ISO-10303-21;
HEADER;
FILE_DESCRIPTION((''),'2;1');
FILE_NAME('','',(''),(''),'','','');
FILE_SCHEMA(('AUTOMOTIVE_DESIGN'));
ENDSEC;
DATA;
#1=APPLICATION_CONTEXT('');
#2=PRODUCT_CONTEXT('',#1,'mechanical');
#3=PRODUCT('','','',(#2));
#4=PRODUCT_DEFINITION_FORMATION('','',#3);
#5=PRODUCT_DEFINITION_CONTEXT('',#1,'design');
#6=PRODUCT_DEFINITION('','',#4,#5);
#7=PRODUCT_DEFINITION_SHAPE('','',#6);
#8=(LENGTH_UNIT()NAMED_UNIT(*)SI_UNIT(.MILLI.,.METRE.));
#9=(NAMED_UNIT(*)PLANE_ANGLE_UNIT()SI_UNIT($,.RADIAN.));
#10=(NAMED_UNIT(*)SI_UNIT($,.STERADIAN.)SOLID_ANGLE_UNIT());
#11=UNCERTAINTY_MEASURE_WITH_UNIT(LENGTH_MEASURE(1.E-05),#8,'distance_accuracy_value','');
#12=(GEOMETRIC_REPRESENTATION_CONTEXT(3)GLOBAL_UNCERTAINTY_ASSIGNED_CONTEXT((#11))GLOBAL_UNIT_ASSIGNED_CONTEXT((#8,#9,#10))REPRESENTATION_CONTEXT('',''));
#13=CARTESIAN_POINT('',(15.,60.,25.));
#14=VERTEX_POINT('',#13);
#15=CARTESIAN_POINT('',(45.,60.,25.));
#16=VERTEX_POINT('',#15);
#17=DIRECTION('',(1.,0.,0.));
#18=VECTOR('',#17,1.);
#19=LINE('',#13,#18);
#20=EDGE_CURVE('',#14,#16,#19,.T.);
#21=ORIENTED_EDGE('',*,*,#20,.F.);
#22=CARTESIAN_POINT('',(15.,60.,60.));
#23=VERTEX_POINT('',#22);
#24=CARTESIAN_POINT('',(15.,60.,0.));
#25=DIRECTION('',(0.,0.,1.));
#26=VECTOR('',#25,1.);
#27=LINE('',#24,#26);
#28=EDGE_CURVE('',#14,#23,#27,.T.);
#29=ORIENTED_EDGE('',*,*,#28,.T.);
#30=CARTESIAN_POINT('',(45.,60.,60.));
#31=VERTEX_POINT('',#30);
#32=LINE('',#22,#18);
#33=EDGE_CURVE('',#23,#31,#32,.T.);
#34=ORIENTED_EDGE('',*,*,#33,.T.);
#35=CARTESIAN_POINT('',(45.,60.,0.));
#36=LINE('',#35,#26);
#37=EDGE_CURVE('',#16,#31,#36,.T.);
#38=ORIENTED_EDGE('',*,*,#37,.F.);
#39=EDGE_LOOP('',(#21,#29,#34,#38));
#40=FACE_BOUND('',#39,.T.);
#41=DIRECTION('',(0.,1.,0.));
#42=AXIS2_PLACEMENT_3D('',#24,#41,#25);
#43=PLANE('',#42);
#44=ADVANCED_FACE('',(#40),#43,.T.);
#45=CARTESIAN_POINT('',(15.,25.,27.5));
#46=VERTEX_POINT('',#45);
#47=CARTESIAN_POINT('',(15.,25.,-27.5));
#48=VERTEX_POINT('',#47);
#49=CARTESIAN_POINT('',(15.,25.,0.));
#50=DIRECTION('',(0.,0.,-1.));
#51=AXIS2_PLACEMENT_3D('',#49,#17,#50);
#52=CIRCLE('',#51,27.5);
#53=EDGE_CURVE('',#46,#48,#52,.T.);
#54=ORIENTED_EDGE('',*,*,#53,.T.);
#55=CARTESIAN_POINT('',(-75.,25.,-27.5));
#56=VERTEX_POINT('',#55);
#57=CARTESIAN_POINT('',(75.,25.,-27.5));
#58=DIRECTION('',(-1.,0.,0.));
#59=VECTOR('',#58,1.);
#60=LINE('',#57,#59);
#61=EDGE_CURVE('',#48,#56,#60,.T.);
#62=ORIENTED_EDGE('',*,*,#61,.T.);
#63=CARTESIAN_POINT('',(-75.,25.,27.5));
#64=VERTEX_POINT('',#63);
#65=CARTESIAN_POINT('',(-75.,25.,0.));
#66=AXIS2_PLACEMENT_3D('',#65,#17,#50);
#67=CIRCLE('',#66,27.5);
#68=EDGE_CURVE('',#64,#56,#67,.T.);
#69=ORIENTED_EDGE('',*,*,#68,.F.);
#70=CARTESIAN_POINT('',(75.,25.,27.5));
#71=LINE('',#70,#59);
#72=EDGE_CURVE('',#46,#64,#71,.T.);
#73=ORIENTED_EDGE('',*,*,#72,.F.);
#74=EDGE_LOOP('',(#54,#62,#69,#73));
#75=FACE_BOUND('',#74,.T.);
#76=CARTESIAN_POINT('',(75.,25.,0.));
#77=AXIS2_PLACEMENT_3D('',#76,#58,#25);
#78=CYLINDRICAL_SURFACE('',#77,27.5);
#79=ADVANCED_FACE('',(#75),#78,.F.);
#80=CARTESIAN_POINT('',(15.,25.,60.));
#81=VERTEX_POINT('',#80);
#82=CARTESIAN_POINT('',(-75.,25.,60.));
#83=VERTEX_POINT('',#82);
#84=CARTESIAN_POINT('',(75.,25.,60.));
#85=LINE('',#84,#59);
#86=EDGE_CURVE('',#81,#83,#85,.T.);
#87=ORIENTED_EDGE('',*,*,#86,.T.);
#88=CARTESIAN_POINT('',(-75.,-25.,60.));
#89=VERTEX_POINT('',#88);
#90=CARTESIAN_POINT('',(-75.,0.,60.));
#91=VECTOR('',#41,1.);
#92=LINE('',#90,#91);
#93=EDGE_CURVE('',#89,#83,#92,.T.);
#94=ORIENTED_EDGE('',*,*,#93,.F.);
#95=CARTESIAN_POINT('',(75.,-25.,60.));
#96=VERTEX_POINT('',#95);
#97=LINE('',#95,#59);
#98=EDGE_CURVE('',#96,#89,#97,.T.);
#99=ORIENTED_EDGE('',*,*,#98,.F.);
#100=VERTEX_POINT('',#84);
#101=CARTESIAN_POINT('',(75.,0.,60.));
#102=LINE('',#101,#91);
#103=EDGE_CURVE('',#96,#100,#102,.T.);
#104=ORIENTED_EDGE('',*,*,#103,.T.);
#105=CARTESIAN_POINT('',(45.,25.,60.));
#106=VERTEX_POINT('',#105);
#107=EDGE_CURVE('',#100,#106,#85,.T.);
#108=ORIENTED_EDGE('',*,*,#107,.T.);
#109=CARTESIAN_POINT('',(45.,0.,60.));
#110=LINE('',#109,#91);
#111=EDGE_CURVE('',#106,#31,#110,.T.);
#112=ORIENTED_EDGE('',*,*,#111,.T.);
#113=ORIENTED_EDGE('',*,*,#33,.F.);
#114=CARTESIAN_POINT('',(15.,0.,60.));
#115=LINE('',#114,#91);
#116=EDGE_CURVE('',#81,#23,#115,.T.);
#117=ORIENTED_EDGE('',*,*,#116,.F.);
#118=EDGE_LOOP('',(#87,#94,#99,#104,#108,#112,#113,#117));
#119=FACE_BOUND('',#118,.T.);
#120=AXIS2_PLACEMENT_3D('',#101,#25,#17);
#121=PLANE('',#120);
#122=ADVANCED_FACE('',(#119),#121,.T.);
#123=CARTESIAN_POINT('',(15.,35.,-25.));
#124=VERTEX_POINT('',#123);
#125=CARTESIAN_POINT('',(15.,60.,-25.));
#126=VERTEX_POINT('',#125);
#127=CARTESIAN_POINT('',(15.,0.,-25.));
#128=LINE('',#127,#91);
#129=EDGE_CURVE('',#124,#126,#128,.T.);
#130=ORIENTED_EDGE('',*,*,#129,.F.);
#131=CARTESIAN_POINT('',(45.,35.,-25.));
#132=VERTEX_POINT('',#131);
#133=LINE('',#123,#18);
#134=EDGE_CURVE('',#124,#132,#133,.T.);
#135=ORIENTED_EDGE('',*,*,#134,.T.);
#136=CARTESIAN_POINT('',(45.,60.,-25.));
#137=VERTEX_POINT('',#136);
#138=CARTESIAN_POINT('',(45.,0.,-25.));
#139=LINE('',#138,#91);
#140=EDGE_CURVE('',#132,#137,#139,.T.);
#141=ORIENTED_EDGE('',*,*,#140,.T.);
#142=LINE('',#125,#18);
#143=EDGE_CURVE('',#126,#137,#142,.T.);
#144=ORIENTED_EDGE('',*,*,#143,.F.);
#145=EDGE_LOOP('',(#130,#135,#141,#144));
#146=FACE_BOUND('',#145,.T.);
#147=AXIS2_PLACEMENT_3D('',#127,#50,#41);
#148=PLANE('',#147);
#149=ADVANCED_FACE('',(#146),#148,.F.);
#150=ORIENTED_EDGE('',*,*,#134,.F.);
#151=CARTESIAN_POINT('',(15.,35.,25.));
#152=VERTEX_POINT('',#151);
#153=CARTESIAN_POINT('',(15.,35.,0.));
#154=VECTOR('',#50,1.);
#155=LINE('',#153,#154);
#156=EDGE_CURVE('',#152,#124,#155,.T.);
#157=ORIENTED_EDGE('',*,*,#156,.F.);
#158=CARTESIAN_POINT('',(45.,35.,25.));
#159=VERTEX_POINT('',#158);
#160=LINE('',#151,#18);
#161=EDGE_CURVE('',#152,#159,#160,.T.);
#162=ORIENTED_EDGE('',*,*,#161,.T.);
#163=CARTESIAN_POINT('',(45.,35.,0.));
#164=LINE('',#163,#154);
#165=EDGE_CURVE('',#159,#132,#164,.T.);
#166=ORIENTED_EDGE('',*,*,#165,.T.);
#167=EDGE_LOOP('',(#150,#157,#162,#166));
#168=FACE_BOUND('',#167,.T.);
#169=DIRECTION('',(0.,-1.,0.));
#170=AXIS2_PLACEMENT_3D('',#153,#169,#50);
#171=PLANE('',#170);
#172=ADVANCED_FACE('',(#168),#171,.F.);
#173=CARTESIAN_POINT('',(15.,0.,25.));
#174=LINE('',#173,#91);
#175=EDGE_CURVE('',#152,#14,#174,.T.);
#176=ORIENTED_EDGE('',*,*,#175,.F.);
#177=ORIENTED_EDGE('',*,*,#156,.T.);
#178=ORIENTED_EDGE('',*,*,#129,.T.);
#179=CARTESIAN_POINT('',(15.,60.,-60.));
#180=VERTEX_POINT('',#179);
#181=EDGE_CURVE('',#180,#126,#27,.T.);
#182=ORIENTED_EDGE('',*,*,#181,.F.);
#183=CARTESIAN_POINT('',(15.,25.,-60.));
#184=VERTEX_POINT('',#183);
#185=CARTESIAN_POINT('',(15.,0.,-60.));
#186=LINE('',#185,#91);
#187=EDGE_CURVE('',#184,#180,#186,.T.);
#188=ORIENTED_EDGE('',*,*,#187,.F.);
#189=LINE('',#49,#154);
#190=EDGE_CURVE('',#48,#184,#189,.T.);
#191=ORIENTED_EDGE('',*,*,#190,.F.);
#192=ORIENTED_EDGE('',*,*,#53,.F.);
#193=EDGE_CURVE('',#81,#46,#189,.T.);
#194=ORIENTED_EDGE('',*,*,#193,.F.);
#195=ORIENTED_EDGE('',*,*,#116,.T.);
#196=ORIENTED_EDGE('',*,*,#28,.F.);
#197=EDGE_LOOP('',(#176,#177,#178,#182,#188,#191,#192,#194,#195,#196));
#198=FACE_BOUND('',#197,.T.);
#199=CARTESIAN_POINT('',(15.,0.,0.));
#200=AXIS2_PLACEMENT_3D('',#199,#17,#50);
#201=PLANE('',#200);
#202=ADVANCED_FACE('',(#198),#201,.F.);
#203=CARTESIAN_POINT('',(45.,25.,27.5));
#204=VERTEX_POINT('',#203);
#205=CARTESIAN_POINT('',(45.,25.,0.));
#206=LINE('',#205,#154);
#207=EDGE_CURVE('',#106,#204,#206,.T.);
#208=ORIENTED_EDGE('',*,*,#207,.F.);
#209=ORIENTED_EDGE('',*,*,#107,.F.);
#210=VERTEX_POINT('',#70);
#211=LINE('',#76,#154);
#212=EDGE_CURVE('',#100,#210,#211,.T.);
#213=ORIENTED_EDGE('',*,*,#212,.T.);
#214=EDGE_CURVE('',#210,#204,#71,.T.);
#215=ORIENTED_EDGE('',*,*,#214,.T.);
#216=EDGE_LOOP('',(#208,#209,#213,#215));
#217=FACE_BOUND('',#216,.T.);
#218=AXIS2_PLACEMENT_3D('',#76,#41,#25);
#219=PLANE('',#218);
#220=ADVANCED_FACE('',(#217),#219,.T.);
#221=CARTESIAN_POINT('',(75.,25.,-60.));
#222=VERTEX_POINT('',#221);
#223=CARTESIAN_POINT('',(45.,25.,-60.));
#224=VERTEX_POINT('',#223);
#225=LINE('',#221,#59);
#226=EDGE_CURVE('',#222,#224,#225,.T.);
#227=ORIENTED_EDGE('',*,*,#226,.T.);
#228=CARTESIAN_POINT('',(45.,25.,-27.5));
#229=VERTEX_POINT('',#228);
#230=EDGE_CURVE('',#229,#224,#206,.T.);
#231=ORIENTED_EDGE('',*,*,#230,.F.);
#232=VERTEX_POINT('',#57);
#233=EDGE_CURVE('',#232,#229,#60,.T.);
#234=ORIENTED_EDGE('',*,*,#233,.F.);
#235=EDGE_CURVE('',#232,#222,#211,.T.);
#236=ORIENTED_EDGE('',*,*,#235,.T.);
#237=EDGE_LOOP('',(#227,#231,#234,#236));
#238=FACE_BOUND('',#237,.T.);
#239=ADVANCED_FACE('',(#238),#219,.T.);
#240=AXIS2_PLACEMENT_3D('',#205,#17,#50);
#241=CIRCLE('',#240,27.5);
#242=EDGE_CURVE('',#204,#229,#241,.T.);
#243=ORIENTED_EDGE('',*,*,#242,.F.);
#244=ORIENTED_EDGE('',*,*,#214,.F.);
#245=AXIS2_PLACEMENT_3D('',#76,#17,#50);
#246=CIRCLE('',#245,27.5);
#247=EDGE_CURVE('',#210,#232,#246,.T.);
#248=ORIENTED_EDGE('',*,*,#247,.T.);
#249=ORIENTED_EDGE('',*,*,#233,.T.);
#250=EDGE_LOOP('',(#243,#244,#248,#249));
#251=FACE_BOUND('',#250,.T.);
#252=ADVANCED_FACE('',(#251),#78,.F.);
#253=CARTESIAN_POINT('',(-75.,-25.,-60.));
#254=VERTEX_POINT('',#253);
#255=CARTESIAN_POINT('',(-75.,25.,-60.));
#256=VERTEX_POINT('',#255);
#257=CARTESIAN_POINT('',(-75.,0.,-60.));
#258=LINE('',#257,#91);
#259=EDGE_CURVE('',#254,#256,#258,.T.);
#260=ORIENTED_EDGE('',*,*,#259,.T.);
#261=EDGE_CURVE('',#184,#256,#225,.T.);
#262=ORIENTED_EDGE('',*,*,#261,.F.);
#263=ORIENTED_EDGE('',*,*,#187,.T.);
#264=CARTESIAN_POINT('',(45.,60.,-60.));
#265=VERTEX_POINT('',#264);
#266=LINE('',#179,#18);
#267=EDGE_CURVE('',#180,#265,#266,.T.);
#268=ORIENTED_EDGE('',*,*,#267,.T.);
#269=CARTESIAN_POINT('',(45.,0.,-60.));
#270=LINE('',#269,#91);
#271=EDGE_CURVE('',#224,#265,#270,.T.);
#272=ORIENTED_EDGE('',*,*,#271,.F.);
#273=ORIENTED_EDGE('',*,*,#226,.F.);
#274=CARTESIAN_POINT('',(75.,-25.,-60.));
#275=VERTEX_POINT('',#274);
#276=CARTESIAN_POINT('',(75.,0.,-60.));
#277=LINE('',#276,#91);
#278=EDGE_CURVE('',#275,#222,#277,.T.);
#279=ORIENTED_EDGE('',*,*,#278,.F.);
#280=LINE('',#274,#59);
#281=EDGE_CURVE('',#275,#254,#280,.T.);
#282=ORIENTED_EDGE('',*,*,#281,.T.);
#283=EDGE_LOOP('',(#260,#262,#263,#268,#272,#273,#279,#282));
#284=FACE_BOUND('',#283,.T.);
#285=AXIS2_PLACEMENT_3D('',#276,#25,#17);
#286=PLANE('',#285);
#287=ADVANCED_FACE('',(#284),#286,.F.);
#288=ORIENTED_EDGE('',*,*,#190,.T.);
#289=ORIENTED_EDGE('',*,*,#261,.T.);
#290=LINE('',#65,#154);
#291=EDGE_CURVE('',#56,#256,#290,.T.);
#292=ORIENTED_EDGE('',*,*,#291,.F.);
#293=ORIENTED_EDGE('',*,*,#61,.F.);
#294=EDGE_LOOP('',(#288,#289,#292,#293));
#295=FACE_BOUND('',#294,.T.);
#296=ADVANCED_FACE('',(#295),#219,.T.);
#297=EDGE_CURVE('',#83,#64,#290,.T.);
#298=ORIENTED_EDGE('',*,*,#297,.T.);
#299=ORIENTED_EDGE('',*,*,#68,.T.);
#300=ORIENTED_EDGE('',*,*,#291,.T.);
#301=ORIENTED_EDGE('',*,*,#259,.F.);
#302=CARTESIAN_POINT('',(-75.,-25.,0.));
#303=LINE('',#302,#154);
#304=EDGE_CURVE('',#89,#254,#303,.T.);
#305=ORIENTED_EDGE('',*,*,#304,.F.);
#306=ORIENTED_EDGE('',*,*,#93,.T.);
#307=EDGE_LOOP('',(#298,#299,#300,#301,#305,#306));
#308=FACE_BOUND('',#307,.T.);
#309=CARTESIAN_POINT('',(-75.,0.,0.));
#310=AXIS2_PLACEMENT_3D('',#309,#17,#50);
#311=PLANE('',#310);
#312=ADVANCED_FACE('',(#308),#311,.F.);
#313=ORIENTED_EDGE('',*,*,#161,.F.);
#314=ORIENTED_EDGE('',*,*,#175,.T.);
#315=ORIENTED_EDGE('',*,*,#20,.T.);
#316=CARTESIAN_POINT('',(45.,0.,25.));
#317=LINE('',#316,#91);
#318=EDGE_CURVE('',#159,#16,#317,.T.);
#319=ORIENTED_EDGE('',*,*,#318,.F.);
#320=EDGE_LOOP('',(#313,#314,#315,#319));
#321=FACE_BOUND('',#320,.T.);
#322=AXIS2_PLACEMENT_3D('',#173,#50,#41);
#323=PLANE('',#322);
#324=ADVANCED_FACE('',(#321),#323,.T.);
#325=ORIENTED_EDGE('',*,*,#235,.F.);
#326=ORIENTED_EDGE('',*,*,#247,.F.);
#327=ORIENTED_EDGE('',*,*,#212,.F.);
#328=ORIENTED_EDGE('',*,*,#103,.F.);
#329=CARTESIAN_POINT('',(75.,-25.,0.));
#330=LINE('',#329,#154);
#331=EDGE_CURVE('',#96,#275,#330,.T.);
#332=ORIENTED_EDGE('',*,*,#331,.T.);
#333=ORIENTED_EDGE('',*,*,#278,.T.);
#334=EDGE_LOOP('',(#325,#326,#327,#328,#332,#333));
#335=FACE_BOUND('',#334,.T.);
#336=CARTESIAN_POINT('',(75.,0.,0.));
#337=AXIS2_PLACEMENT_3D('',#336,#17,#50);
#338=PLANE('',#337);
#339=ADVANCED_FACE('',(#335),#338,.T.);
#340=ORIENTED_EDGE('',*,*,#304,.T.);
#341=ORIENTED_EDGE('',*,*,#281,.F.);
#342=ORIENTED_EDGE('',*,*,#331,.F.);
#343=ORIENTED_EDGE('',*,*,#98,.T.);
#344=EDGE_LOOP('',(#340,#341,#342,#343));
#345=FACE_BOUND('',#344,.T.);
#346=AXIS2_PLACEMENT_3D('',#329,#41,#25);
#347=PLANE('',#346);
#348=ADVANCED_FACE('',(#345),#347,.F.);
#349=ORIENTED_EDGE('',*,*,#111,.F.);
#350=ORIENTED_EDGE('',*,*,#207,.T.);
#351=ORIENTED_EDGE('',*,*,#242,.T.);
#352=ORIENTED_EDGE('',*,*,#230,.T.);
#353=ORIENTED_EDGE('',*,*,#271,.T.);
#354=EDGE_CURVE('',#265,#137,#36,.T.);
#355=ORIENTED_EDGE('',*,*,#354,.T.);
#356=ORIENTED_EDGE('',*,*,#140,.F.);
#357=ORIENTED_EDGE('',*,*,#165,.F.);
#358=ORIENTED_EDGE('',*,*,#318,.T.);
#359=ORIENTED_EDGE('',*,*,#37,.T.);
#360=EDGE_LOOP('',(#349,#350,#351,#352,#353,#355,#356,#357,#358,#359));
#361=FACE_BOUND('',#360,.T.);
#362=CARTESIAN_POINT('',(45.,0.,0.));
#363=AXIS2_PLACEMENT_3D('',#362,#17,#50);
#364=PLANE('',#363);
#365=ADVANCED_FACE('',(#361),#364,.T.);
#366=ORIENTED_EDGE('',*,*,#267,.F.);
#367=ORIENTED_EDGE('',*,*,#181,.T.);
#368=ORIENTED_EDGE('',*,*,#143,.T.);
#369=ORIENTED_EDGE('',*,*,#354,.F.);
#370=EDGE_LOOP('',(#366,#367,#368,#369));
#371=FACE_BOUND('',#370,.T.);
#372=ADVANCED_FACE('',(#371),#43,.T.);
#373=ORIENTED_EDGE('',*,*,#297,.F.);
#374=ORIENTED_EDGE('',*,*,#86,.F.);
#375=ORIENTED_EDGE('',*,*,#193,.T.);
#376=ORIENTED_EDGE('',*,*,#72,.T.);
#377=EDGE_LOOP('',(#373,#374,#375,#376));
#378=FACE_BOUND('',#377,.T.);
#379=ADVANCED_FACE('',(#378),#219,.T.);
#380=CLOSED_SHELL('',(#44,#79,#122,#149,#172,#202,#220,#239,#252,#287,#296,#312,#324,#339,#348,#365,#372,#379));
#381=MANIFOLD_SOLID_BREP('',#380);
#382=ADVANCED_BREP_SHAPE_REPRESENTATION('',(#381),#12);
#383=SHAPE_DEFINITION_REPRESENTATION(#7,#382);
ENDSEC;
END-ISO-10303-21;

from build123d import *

# Parameters (mm, degrees)
EXTRUDE_1_DEPTH = 75
EXTRUDE_2_DEPTH = 30


with BuildPart() as part:
    # Эскиз1 → Бобышка-Вытянуть1 (new, symmetric)
    with BuildSketch(Plane(origin=(0, 0, 0), x_dir=(0, 0, -1), z_dir=(1, 0, 0))):
        with BuildLine():
            Line((-60, 25), (-60, -25))
            Line((-60, -25), (60, -25))
            Line((60, -25), (60, 25))
            Line((60, 25), (27.5, 25))
            ThreePointArc((27.5, 25), (0, -2.5), (-27.5, 25))
            Line((-27.5, 25), (-60, 25))
        make_face()
    extrude(amount=EXTRUDE_1_DEPTH, both=True)

    # Эскиз2 → Бобышка-Вытянуть2 (add)
    with BuildSketch(Plane(origin=(45, 0, 0), x_dir=(0, 0, -1), z_dir=(1, 0, 0))):
        Polygon((-60, -25), (60, -25), (60, 60), (25, 60), (25, 35), (-25, 35), (-25, 60), (-60, 60), align=None)
    extrude(amount=-EXTRUDE_2_DEPTH)


solid = part.part
